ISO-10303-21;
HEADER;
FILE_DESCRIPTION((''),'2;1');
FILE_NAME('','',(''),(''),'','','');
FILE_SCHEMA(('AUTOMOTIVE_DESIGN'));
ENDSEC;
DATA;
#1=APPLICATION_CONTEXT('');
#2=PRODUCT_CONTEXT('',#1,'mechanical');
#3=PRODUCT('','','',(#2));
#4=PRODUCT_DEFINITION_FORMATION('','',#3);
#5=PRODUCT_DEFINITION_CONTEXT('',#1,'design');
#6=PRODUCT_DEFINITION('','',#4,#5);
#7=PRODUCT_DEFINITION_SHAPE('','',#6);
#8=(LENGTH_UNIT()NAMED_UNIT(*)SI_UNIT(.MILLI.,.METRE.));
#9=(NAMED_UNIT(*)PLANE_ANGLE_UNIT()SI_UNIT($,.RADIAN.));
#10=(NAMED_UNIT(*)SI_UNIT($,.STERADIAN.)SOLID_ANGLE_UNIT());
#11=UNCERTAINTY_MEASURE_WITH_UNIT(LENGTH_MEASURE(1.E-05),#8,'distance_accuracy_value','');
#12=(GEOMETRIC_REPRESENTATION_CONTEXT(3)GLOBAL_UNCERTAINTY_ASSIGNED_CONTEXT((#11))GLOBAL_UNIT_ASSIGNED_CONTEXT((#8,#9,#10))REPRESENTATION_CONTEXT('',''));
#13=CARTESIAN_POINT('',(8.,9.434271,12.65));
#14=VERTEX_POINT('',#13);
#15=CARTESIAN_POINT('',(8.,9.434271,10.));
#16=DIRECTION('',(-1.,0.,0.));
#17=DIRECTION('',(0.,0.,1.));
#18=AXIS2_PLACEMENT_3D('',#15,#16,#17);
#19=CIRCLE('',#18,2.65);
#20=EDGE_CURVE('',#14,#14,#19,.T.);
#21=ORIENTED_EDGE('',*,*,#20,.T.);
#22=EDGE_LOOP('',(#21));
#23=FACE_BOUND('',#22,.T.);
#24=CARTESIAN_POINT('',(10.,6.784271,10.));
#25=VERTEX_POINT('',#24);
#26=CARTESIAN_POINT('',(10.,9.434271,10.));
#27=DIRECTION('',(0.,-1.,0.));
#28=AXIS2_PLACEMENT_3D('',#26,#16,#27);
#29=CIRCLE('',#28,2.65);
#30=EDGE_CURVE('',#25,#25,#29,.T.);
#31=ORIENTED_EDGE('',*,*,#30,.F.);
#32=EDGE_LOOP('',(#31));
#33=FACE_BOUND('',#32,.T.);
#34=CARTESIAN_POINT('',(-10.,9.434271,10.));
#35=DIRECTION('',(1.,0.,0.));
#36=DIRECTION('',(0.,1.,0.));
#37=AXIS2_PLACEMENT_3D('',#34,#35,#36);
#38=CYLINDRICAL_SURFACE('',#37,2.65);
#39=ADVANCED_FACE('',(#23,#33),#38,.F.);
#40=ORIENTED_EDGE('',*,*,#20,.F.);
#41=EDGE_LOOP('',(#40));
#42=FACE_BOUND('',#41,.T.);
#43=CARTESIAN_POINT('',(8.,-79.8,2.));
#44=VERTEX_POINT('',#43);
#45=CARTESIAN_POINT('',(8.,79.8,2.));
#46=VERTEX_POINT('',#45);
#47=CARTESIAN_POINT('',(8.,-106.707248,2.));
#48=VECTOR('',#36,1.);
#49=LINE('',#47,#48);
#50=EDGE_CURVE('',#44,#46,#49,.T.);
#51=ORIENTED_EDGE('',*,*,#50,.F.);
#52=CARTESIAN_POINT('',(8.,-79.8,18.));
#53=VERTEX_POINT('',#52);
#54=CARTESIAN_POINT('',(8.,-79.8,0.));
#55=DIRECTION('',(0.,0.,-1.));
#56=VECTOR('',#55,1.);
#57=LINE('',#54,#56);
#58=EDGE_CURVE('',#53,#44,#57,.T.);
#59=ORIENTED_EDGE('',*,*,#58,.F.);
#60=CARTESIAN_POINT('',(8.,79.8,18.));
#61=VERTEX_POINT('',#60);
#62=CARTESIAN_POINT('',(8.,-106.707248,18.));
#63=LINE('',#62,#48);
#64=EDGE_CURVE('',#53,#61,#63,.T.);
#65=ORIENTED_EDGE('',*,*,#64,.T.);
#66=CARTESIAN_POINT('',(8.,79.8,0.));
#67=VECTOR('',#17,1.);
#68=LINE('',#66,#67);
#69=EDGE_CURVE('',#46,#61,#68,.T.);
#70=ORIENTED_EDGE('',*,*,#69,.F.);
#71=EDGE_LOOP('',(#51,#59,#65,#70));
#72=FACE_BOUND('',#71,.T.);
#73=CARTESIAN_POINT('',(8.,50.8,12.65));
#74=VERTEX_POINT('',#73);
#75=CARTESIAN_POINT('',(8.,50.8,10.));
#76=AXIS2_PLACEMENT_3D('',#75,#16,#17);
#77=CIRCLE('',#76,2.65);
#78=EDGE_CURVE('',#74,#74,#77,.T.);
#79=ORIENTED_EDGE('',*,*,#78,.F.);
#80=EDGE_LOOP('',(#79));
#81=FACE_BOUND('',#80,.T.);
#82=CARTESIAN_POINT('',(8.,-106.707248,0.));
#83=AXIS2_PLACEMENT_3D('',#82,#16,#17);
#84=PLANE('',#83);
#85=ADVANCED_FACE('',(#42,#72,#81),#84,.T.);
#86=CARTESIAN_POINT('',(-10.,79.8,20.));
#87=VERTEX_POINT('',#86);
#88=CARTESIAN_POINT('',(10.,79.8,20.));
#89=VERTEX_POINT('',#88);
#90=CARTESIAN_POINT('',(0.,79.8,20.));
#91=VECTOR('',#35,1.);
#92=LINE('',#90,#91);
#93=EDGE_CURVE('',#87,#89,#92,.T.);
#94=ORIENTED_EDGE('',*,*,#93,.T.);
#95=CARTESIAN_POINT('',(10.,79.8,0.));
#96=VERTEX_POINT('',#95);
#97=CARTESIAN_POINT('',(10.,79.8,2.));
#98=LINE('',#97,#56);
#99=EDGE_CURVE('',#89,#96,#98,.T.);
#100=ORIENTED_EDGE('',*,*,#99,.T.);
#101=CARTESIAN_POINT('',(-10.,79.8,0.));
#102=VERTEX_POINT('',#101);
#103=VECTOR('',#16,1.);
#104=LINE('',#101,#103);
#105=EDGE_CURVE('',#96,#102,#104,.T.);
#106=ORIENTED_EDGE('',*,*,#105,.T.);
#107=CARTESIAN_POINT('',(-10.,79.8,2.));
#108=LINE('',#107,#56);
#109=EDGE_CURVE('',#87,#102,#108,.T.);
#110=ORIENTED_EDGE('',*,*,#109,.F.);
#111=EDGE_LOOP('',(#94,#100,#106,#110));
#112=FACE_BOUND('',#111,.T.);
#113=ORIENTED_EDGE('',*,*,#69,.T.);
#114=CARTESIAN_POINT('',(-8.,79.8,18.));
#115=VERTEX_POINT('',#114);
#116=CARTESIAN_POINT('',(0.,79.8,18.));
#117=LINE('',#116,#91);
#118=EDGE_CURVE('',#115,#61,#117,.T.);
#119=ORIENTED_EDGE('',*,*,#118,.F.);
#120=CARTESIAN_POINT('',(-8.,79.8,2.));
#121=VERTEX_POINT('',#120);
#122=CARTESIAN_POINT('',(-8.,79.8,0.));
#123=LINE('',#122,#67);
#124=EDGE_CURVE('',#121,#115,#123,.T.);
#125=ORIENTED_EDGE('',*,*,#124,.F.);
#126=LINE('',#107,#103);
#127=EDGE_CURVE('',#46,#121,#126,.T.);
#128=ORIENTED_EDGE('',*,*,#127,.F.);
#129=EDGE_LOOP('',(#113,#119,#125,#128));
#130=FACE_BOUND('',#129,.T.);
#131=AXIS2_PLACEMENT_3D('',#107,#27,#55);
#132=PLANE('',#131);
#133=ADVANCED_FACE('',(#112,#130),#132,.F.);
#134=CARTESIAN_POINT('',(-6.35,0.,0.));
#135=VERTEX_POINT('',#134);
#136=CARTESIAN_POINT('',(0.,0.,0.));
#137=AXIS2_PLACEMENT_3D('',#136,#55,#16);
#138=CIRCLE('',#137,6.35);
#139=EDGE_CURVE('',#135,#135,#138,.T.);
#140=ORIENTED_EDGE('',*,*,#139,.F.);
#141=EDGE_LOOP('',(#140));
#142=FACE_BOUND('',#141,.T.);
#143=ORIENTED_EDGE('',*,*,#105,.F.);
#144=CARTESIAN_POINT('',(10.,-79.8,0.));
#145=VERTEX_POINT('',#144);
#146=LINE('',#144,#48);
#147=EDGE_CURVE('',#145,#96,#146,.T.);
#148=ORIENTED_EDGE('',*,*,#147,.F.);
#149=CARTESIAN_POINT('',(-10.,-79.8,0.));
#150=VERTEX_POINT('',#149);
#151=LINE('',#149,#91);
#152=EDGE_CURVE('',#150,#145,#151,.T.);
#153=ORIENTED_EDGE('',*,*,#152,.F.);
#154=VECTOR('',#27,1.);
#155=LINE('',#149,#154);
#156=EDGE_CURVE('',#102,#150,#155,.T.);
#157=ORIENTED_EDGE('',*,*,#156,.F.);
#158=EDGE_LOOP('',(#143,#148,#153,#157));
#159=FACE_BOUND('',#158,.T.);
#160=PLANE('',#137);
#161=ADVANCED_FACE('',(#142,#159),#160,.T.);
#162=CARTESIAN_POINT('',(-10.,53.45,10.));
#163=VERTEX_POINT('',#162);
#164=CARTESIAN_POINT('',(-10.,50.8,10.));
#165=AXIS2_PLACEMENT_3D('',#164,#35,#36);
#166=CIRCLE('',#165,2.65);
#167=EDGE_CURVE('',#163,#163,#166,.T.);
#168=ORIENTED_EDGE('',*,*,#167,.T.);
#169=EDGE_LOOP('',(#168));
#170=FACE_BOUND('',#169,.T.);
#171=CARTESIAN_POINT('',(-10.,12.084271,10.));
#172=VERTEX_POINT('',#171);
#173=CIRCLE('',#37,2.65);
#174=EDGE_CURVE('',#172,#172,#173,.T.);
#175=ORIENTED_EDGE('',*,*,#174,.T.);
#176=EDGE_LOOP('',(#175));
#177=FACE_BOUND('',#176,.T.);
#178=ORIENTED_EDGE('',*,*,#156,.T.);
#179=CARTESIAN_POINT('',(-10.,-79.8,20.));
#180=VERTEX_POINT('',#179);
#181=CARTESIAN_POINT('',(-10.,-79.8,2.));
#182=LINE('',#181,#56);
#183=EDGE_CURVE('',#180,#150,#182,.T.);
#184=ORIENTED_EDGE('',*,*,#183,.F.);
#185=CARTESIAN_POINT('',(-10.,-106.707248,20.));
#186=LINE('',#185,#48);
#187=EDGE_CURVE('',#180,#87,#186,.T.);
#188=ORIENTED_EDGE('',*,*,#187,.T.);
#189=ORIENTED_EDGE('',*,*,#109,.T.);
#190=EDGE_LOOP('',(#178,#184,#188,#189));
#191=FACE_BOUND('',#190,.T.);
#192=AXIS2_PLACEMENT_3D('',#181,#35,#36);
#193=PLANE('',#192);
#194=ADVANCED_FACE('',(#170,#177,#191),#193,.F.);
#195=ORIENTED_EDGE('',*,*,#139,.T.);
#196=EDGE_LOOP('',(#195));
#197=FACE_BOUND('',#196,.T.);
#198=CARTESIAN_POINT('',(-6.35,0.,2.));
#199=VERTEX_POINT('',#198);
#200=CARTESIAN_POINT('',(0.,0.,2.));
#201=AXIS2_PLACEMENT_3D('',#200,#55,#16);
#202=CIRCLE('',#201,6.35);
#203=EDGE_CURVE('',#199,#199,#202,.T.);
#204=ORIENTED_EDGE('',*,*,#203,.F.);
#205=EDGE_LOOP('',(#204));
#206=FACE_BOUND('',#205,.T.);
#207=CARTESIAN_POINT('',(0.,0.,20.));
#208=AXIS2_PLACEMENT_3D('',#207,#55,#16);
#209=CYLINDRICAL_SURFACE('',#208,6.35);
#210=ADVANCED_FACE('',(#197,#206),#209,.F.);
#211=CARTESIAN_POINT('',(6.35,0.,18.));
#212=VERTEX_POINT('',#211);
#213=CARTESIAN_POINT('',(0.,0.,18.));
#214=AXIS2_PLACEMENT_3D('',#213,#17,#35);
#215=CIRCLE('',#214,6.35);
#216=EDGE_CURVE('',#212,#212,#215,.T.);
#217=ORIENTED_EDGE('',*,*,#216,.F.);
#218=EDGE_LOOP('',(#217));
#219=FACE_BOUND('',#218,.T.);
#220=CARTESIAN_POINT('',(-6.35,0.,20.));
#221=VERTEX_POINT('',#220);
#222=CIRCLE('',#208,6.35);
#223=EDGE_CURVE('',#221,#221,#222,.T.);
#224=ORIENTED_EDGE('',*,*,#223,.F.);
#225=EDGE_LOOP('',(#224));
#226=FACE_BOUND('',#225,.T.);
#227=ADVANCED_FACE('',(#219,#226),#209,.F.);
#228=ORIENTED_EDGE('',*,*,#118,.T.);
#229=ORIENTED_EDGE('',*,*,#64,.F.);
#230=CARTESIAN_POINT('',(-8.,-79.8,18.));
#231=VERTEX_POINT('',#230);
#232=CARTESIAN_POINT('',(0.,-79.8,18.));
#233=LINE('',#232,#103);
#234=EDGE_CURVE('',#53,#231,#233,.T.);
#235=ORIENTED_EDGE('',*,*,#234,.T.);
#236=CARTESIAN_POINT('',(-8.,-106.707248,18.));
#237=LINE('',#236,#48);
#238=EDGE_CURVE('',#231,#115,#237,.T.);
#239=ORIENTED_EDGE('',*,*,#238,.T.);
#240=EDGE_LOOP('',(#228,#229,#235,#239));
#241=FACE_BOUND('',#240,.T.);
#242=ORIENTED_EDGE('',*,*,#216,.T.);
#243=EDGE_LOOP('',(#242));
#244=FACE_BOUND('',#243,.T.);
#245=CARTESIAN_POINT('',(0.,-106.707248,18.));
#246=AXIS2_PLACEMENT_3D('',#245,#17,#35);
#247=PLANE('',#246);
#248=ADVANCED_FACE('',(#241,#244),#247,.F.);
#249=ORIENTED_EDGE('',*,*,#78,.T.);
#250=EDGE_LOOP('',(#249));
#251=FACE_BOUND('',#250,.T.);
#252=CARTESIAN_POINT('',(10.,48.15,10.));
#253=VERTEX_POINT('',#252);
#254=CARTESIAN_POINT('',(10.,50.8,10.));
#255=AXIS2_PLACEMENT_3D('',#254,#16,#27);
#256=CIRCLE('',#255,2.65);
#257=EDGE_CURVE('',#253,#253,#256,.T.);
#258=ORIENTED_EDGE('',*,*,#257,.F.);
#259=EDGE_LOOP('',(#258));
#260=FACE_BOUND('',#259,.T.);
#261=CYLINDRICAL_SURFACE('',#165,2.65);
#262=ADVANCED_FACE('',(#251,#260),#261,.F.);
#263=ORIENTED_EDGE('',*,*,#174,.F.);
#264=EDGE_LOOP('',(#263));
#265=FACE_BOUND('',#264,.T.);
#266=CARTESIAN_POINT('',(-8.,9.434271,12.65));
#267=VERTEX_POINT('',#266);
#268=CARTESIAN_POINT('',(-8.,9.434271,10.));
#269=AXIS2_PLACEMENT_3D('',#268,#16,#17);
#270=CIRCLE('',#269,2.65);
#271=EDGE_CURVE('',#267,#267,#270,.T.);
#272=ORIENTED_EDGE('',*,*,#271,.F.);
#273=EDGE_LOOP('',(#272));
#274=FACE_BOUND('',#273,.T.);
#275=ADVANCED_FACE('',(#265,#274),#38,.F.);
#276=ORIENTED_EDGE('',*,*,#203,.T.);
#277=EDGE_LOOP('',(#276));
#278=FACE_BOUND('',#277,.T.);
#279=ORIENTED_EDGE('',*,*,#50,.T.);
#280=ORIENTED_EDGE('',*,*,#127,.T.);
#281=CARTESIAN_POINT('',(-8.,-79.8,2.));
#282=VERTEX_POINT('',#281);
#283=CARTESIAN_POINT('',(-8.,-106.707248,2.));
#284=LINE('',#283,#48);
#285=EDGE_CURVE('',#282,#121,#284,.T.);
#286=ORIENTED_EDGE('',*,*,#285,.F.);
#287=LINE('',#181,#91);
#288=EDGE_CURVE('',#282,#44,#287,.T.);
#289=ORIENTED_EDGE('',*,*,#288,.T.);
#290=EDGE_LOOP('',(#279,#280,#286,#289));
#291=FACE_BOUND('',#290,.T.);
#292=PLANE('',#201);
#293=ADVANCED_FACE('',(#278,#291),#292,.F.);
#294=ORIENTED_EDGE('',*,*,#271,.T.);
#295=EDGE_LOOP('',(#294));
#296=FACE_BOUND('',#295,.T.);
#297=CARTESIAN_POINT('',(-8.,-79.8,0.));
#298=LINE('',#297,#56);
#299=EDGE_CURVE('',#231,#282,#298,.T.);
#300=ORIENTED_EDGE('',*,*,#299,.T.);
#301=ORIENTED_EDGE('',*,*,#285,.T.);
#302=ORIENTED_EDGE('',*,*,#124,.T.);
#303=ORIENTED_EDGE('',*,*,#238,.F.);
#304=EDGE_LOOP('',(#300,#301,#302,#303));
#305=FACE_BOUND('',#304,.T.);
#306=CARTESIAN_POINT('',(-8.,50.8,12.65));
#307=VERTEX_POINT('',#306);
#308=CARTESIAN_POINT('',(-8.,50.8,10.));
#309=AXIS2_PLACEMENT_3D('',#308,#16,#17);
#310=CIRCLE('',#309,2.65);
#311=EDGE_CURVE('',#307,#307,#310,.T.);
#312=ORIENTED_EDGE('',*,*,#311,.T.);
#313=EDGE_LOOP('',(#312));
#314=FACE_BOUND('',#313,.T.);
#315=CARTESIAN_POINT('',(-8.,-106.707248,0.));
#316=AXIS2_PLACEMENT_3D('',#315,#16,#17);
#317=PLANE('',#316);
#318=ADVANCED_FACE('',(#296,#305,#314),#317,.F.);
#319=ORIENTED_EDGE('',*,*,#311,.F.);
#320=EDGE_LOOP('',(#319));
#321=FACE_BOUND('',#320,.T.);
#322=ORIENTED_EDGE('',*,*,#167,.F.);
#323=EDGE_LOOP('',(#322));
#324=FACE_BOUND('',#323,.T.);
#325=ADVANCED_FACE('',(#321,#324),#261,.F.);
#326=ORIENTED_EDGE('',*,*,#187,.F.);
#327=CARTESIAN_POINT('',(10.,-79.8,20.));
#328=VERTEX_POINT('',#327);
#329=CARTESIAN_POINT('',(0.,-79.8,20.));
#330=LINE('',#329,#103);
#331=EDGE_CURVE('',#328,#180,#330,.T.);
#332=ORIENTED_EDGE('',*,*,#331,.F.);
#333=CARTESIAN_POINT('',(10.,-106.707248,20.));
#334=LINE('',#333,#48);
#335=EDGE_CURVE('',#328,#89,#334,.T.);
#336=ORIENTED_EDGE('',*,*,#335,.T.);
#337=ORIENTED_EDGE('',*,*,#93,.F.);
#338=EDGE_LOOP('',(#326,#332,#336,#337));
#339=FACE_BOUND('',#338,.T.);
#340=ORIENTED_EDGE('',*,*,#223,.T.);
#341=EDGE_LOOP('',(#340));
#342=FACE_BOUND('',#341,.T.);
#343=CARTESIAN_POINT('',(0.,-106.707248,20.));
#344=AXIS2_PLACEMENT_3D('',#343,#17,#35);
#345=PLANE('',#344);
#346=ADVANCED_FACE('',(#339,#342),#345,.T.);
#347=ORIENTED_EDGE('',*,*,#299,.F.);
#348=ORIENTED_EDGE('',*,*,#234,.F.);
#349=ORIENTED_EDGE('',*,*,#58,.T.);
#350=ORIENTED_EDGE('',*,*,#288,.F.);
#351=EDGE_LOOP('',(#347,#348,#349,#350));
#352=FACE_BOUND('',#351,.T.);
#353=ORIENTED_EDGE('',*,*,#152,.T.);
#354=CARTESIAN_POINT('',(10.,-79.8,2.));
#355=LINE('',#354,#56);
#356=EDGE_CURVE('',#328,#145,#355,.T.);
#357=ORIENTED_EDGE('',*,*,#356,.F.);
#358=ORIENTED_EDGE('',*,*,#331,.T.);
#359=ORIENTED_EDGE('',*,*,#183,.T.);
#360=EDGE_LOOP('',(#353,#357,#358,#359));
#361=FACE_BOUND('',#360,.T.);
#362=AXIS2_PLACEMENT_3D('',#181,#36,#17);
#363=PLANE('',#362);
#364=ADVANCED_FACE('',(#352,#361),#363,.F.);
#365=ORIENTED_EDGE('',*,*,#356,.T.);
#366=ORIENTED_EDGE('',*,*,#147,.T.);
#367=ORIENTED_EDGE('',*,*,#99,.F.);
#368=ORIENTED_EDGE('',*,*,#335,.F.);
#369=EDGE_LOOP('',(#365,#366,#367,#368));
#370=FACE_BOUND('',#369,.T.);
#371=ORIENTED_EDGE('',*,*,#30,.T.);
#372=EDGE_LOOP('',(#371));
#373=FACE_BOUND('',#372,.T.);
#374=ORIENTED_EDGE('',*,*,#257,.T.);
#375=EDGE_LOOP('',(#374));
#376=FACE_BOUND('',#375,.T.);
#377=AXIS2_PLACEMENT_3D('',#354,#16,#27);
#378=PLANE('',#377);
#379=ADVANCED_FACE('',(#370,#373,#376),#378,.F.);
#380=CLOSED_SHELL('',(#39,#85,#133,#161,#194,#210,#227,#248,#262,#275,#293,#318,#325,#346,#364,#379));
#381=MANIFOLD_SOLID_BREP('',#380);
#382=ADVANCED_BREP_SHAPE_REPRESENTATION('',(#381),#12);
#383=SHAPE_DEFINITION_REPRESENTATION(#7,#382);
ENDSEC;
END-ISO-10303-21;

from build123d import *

# Parameters (mm, degrees)
SKETCH1_W               = 20
SKETCH1_H               = 159.6
BOSS_EXTRUDE1_DEPTH     = 2
BOSS_EXTRUDE2_DEPTH     = 159.6
CUT_EXTRUDE1_DEPTH      = 83.873638752
CUT_EXTRUDE1_DEPTH_BACK = 83.873638752
SKETCH3_R               = 6.35
CUT_EXTRUDE2_DEPTH      = 85.664278182
CUT_EXTRUDE2_DEPTH_BACK = 85.664278182
SKETCH5_R               = 2.65


with BuildPart() as part:
    # Sketch1 → Boss-Extrude1 (new body)
    with BuildSketch(Plane.XY):
        Rectangle(SKETCH1_W, SKETCH1_H)
    extrude(amount=BOSS_EXTRUDE1_DEPTH)

    # Sketch4 → Boss-Extrude2 (add)
    with BuildSketch(Plane(origin=(0, 79.8, 0), x_dir=(1, 0, 0), z_dir=(0, 1, 0))):
        Polygon((-8, -2), (-10, -2), (-10, -20), (10, -20), (10, -2), (8, -2), (8, -18), (-8, -18), align=None)
    extrude(amount=-BOSS_EXTRUDE2_DEPTH)

    # Sketch3 → Cut-Extrude1 (cut, two sides: drawn at the far end of the back side and taken through both)
    with BuildSketch(Plane(origin=(0, 0, 0), x_dir=(-1, 0, 0), z_dir=(0, 0, -1)).offset(-CUT_EXTRUDE1_DEPTH_BACK)):
        Circle(SKETCH3_R)
    extrude(amount=CUT_EXTRUDE1_DEPTH + CUT_EXTRUDE1_DEPTH_BACK, mode=Mode.SUBTRACT)

    # Sketch5 → Cut-Extrude2 (cut, two sides: drawn at the far end of the back side and taken through both)
    with BuildSketch(Plane(origin=(10, 0, 0), x_dir=(0, 0, -1), z_dir=(1, 0, 0)).offset(-CUT_EXTRUDE2_DEPTH_BACK)):
        with Locations(Location((-10, 50.8, 0), (0, 0, 180))):
            Circle(SKETCH5_R)
        with Locations(Location((-10, 9.434271247, 0), (0, 0, 180))):
            Circle(SKETCH5_R)
    extrude(amount=CUT_EXTRUDE2_DEPTH + CUT_EXTRUDE2_DEPTH_BACK, mode=Mode.SUBTRACT)


solid = part.part
